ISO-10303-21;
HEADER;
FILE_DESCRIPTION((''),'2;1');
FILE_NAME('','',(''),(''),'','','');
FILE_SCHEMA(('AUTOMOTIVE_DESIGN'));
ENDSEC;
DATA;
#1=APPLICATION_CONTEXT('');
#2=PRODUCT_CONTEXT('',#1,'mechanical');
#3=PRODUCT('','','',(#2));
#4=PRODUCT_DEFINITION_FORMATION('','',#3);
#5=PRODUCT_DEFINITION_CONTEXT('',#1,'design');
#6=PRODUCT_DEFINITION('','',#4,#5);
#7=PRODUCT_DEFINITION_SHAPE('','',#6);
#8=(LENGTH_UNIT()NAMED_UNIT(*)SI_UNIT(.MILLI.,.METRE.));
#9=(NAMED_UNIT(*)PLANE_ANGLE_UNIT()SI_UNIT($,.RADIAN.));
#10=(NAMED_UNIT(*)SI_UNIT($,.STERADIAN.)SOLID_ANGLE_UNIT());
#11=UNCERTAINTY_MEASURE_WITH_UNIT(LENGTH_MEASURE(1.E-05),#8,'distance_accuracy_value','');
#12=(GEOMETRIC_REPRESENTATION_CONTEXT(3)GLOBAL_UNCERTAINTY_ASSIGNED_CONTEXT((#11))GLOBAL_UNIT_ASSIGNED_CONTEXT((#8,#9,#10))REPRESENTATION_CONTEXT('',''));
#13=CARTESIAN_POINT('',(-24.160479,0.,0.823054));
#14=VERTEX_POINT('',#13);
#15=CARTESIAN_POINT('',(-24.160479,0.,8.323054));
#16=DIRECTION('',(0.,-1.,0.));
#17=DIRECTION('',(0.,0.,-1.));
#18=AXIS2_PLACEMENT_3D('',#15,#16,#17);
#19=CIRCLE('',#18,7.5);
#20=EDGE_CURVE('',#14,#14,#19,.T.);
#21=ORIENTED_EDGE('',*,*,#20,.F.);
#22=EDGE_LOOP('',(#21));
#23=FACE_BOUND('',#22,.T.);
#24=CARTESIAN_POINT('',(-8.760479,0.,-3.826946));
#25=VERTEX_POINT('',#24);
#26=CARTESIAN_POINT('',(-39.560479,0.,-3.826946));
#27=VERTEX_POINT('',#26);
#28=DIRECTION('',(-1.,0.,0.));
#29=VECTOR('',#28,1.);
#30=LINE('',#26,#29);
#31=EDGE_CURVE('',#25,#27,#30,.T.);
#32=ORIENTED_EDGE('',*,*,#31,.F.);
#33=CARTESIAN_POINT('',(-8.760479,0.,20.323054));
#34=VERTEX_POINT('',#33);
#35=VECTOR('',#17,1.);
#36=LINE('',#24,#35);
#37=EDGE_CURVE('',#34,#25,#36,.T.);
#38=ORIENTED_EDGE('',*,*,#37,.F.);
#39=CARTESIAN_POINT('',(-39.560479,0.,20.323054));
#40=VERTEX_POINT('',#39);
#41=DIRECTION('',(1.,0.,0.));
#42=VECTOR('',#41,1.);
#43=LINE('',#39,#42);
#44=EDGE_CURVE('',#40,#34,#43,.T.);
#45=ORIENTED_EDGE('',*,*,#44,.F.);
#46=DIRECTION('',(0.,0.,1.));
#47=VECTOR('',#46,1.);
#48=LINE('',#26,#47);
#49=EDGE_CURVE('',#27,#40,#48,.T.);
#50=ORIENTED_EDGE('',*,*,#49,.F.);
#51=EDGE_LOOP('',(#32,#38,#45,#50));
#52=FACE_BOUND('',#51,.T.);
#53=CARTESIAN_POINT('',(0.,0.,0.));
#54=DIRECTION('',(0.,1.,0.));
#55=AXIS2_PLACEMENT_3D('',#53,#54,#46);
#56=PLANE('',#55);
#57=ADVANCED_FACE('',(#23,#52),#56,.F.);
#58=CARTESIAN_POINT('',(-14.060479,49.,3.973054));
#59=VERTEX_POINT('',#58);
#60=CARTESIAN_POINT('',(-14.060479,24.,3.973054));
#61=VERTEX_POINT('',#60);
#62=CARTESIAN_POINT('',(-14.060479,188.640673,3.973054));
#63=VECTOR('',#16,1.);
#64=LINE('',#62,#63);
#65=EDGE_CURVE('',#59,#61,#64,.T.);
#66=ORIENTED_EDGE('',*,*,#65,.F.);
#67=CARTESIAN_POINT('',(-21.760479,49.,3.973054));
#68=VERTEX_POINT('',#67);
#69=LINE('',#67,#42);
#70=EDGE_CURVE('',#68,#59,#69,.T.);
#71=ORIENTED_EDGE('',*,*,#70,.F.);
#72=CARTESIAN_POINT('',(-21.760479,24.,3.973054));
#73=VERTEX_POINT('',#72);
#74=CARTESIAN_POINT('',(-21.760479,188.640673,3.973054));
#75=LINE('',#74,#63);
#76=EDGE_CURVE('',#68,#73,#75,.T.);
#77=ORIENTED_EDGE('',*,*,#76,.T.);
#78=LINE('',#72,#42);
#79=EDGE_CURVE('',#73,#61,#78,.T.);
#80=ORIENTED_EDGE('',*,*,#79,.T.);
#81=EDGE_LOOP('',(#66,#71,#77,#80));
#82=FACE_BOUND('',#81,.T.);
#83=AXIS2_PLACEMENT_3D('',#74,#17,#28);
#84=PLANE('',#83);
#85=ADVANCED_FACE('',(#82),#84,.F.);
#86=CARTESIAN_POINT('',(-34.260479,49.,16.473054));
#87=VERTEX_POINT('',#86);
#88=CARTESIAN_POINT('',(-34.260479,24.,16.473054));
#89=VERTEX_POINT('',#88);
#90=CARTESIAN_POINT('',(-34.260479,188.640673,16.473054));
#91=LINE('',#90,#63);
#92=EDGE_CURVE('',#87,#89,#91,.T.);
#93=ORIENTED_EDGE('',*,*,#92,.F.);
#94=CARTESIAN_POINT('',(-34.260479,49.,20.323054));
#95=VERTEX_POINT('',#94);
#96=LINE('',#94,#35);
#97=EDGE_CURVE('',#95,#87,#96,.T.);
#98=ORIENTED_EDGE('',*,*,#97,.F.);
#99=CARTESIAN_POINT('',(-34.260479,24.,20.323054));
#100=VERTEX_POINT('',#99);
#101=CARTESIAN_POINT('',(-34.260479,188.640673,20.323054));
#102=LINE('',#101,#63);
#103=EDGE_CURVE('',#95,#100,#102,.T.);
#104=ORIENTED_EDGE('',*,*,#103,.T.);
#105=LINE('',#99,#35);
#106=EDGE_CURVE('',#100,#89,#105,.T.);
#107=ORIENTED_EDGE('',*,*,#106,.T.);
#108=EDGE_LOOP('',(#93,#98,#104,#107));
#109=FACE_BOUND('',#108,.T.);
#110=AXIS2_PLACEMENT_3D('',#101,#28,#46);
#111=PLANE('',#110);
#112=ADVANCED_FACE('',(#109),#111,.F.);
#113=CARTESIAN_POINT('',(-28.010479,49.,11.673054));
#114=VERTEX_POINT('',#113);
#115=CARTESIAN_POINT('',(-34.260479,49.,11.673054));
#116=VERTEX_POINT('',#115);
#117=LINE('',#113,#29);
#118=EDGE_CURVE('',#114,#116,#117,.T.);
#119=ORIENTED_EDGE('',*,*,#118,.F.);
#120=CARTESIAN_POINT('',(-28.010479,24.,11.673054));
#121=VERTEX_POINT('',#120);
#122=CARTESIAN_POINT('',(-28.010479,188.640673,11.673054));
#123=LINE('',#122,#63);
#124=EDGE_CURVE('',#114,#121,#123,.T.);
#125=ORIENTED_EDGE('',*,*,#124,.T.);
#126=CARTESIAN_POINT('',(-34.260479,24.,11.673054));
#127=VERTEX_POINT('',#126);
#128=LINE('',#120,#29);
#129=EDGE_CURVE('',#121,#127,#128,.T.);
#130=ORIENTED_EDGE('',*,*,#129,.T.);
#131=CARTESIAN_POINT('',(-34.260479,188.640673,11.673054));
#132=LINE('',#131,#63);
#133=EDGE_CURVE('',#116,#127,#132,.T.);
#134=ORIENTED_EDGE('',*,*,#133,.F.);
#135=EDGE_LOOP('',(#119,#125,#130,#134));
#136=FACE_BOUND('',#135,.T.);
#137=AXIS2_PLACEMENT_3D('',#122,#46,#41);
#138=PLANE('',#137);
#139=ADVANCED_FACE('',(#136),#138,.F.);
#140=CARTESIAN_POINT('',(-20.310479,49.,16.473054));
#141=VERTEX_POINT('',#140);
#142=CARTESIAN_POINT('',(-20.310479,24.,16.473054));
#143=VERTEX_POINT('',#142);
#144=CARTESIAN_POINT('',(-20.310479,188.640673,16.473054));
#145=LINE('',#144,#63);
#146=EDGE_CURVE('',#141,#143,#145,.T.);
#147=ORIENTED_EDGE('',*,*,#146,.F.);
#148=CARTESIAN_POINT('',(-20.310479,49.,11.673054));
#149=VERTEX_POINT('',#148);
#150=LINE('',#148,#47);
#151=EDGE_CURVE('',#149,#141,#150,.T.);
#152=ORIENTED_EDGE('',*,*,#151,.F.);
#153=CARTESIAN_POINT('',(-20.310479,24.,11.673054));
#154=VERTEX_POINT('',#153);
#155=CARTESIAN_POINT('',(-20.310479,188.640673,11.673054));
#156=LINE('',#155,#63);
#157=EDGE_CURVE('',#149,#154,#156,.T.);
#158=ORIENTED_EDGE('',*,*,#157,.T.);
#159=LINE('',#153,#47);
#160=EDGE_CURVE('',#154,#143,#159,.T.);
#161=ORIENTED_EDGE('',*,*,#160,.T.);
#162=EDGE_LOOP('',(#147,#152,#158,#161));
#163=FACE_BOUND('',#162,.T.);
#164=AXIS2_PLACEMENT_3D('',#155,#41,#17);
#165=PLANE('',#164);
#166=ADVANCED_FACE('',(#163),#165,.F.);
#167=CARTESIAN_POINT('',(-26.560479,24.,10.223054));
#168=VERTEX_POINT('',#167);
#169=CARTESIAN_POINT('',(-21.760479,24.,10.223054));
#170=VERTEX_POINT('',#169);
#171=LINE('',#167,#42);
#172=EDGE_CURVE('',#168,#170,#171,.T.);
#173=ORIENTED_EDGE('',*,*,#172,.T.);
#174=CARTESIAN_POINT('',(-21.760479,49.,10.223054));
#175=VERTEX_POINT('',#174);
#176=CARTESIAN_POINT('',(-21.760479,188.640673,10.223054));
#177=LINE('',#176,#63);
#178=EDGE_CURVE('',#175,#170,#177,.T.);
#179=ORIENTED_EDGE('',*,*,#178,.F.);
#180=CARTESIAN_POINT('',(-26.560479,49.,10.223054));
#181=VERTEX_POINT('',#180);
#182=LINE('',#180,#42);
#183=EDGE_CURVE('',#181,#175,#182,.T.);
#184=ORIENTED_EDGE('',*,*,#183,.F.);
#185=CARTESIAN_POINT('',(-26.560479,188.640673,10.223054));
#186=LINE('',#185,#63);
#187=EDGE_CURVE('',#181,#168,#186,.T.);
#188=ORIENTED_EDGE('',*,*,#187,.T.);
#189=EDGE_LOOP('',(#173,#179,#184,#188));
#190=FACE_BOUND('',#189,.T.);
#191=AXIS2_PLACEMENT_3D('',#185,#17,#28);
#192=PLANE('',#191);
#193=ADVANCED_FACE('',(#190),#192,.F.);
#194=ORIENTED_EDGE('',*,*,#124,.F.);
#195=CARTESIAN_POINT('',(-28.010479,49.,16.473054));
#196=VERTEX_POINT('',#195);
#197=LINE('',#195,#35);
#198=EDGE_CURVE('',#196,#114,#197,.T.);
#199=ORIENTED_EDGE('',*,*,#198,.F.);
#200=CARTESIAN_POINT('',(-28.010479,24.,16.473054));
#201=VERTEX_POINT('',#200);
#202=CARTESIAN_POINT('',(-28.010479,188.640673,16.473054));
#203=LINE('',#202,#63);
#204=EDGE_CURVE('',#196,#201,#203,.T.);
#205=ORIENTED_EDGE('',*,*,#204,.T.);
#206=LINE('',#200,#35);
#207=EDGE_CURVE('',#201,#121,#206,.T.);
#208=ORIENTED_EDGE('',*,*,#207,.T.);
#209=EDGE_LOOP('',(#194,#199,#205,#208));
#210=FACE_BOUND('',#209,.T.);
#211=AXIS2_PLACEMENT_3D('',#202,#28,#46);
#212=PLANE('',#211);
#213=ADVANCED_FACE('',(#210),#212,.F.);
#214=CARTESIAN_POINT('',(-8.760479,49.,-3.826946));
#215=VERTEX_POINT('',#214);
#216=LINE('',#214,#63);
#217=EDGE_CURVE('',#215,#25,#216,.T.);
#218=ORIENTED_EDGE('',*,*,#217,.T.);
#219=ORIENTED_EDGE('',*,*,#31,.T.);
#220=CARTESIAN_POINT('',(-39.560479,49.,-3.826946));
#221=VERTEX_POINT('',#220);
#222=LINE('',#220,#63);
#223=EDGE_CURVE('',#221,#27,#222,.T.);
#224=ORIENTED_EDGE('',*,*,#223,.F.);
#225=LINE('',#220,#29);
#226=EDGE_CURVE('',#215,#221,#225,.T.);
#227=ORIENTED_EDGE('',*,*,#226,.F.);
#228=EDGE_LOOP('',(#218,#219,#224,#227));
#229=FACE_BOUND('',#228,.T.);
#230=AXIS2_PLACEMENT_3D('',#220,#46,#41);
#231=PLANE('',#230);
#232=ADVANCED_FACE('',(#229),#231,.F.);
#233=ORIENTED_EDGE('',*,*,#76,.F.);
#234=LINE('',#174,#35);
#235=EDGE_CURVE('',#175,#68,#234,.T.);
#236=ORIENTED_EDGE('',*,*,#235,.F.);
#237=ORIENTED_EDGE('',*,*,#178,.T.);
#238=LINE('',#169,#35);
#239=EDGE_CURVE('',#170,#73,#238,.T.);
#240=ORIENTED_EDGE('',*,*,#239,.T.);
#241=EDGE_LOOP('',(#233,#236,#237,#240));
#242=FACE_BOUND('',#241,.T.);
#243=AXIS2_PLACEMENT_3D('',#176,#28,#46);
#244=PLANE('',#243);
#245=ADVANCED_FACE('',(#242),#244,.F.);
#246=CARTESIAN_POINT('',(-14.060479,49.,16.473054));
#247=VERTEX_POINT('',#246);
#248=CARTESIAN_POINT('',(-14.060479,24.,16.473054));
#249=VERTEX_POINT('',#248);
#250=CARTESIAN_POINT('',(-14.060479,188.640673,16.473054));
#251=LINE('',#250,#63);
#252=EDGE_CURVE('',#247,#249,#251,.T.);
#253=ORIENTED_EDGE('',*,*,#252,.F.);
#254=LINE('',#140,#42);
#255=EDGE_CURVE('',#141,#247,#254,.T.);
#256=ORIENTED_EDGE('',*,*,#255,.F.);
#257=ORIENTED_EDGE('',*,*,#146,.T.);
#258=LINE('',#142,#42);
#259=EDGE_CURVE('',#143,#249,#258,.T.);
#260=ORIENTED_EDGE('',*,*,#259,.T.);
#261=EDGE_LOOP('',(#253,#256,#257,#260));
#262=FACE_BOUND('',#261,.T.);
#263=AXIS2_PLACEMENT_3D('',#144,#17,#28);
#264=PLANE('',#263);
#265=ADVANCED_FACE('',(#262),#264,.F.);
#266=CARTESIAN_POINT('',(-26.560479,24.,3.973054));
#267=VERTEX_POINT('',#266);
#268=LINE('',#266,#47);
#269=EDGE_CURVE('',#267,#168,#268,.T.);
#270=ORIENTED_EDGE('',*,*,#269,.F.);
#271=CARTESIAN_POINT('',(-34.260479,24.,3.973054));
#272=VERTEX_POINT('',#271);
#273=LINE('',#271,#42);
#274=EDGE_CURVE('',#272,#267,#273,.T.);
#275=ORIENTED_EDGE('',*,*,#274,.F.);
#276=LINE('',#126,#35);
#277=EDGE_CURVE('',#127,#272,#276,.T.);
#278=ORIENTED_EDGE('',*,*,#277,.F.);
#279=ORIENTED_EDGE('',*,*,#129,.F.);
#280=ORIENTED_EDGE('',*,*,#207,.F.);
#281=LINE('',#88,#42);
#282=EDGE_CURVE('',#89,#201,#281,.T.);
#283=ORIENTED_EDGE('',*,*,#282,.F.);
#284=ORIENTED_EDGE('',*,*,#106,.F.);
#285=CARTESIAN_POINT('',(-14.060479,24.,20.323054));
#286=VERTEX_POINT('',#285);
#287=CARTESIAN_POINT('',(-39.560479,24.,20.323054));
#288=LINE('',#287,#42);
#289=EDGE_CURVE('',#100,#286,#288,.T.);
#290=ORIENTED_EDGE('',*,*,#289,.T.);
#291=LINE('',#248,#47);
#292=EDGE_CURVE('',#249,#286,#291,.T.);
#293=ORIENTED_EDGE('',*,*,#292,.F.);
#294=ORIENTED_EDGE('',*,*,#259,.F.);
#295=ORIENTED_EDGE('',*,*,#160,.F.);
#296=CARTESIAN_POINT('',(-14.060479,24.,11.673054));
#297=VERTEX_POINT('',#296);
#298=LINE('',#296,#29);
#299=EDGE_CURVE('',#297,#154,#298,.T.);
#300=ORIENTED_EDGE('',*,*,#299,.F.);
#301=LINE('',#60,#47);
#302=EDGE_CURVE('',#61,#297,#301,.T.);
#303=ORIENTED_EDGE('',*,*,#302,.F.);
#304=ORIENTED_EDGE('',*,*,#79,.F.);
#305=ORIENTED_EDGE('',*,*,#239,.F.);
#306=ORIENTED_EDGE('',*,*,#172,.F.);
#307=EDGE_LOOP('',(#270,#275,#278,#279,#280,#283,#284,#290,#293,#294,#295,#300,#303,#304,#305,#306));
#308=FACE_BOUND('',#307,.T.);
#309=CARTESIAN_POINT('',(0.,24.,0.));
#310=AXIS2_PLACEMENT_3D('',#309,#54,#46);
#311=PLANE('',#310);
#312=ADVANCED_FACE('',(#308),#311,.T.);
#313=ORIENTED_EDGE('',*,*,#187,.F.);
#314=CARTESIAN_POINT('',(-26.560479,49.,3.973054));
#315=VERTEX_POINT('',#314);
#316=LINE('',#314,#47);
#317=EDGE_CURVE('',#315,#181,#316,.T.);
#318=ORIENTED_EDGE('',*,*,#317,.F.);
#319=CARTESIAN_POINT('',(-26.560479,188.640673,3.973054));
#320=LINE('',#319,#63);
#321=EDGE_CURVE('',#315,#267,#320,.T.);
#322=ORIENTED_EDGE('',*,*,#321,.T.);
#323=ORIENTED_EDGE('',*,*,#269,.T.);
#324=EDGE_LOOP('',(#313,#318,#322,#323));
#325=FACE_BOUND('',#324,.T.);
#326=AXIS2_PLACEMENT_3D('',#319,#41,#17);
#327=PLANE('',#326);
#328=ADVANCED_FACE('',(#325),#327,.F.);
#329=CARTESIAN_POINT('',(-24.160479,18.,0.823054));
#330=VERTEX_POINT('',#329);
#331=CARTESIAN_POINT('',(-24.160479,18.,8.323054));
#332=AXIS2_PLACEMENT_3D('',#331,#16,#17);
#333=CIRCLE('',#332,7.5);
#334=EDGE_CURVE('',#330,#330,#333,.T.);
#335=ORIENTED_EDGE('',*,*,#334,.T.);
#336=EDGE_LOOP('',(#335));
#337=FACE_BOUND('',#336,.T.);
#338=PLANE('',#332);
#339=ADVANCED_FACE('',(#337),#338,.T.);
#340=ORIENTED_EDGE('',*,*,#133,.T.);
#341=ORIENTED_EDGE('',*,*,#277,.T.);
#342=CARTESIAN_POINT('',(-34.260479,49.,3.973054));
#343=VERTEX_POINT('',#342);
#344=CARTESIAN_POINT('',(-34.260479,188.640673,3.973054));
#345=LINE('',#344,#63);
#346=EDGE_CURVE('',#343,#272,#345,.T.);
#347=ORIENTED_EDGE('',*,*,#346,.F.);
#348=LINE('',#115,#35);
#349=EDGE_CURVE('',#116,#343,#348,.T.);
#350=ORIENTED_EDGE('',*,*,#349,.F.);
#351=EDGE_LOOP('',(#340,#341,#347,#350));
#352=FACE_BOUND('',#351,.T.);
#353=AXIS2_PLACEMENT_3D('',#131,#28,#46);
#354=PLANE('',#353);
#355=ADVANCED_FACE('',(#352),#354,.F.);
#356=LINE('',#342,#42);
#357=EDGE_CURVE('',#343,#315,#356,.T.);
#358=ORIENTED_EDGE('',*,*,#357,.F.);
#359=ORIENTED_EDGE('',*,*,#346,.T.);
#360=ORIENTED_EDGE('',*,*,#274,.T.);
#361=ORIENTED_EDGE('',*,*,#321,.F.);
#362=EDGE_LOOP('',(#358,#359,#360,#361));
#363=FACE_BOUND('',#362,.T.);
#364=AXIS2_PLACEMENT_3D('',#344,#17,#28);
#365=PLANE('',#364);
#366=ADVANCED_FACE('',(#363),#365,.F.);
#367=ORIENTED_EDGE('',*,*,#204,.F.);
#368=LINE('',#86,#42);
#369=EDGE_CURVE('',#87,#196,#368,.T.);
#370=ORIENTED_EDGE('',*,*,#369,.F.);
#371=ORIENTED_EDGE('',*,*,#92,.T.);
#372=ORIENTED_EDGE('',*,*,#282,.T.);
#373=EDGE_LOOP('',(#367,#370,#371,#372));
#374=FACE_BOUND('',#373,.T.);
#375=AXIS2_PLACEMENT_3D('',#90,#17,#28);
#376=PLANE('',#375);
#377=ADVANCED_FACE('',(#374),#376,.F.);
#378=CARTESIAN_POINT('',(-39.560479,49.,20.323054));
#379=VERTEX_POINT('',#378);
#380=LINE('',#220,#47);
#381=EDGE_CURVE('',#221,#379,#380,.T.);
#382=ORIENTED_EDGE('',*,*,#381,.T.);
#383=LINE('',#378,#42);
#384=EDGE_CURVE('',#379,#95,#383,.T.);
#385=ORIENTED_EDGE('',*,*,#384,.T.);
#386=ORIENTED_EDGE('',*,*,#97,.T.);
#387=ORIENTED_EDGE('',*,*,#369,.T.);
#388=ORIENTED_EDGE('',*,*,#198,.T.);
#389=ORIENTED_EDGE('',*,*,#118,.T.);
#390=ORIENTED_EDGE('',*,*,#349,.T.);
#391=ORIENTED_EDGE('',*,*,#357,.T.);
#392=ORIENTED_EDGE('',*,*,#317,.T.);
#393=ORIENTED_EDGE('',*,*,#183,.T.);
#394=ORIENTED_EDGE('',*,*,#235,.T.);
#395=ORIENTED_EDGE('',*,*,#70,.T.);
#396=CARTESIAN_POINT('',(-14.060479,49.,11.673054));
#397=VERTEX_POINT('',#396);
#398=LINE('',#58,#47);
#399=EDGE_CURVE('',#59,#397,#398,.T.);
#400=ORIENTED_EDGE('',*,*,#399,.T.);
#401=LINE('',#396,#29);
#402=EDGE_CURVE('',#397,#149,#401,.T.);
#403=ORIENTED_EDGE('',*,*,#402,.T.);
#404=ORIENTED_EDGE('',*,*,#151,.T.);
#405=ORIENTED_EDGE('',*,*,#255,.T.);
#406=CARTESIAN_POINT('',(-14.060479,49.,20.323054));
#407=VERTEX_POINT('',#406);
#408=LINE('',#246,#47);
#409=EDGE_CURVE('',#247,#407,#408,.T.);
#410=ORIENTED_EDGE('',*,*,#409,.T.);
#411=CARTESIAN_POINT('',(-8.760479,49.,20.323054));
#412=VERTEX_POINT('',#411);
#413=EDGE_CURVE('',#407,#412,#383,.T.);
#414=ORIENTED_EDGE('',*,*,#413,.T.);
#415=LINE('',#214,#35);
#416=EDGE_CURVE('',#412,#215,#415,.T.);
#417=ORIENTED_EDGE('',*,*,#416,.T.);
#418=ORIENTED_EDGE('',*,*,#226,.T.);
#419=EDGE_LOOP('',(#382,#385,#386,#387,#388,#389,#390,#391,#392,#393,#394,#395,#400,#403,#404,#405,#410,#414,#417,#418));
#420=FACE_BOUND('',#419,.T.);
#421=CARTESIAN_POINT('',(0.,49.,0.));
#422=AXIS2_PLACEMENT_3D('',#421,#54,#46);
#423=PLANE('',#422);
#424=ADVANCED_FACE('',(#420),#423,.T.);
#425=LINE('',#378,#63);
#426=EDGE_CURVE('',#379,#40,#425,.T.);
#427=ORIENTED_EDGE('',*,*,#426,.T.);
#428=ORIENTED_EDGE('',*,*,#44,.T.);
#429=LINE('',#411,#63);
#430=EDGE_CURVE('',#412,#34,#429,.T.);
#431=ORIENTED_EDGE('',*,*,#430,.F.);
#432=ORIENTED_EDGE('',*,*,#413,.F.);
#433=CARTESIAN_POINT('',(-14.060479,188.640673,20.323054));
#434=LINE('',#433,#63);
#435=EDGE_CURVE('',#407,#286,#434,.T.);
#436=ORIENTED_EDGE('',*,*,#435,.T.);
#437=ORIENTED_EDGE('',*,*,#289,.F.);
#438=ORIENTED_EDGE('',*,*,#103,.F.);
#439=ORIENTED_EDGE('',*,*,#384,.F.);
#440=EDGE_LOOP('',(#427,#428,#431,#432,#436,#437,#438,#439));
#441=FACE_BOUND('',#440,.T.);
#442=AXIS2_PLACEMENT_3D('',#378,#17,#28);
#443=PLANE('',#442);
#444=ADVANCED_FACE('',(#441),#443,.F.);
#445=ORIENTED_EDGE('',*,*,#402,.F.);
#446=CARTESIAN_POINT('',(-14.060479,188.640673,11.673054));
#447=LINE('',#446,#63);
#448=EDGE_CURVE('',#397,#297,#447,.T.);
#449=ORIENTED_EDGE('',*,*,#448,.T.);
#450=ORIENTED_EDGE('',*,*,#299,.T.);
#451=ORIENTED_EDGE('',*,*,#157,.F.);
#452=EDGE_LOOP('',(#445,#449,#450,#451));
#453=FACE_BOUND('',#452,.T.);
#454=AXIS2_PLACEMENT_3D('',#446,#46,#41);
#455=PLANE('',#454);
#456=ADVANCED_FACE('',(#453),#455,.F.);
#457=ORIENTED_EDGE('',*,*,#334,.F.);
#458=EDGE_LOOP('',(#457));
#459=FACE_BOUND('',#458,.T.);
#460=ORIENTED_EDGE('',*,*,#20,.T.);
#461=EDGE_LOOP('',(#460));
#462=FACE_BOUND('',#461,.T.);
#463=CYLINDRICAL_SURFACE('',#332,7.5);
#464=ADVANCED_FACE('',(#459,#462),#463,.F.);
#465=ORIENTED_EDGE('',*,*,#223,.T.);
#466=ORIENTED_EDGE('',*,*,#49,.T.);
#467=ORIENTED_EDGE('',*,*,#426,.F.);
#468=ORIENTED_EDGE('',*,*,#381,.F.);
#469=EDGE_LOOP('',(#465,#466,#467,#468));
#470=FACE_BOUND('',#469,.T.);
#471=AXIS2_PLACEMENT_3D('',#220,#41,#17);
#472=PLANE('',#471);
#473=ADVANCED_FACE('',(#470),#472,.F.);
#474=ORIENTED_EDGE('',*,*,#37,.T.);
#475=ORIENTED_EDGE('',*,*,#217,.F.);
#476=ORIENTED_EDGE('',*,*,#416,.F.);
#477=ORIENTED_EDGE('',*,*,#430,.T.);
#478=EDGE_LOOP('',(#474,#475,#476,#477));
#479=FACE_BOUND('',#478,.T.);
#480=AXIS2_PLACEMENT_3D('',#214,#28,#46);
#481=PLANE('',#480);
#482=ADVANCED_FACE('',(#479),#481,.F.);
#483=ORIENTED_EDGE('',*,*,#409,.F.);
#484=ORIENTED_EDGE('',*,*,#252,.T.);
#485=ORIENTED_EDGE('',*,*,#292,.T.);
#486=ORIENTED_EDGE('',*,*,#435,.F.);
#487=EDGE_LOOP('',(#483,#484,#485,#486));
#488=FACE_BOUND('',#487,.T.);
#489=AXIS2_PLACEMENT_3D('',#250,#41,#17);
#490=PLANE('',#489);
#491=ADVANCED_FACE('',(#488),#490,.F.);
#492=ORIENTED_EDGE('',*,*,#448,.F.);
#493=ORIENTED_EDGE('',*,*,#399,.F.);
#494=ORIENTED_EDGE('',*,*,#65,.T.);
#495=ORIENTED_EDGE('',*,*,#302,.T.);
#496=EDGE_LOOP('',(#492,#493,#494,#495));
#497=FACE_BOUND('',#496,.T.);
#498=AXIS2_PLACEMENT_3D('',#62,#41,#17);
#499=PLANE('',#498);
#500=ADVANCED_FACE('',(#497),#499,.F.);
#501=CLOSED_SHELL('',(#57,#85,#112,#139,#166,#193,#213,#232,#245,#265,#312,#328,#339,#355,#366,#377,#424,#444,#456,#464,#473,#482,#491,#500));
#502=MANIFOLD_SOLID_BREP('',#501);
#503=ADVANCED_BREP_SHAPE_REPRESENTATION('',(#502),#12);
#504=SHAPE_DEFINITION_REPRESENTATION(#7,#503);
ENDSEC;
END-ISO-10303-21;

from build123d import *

# Parameters (mm, degrees)
ESQUISSE1_W                  = 30.8
ESQUISSE1_H                  = 24.15
BOSS_EXTRU_1_DEPTH           = 49
ESQUISSE3_R                  = 7.5
ENL_V_MAT_EXTRU_3_DEPTH      = 18
ENL_V_MAT_EXTRU_4_DEPTH      = 67.174451426
ENL_V_MAT_EXTRU_4_DEPTH_BACK = 25


with BuildPart() as part:
    # Esquisse1 → Boss.-Extru.1 (new body)
    with BuildSketch(Plane(origin=(0, 0, 0), x_dir=(1, 0, 0), z_dir=(0, 1, 0))):
        with Locations((-24.160479042, -8.248053892)):
            Rectangle(ESQUISSE1_W, ESQUISSE1_H)
    extrude(amount=BOSS_EXTRU_1_DEPTH)

    # Esquisse3 → Enlèv. mat.-Extru.3 (cut)
    with BuildSketch(Plane(origin=(0, 0, 0), x_dir=(-1, 0, 0), z_dir=(0, -1, 0))):
        with Locations(Location((24.160479042, -8.323053892, 0), (0, 0, 90))):
            Circle(ESQUISSE3_R)
    extrude(amount=-ENL_V_MAT_EXTRU_3_DEPTH, mode=Mode.SUBTRACT)

    # Esquisse4 → Enlèv. mat.-Extru.4 (cut, two sides: drawn at the far end of the back side and taken through both)
    with BuildSketch(Plane(origin=(0, 49, 0), x_dir=(1, 0, 0), z_dir=(0, 1, 0)).offset(-ENL_V_MAT_EXTRU_4_DEPTH_BACK)):
        Polygon((-34.260479042, -100.564708201), (-34.260479042, -20.323053892), (-34.260479042, -16.473053892), (-28.010479042, -16.473053892), (-28.010479042, -11.673053892), (-34.260479042, -11.673053892), (-34.260479042, -3.973053892), (-26.560479042, -3.973053892), (-26.560479042, -10.223053892), (-21.760479042, -10.223053892), (-21.760479042, -3.973053892), (-14.060479042, -3.973053892), (-14.060479042, -11.673053892), (-20.310479042, -11.673053892), (-20.310479042, -16.473053892), (-14.060479042, -16.473053892), (-14.060479042, -20.323053892), (-14.060479042, -100.564708201), (-14.060479042, -261.048016818), (-34.260479042, -261.048016818), align=None)
    extrude(amount=ENL_V_MAT_EXTRU_4_DEPTH + ENL_V_MAT_EXTRU_4_DEPTH_BACK, mode=Mode.SUBTRACT)


solid = part.part
